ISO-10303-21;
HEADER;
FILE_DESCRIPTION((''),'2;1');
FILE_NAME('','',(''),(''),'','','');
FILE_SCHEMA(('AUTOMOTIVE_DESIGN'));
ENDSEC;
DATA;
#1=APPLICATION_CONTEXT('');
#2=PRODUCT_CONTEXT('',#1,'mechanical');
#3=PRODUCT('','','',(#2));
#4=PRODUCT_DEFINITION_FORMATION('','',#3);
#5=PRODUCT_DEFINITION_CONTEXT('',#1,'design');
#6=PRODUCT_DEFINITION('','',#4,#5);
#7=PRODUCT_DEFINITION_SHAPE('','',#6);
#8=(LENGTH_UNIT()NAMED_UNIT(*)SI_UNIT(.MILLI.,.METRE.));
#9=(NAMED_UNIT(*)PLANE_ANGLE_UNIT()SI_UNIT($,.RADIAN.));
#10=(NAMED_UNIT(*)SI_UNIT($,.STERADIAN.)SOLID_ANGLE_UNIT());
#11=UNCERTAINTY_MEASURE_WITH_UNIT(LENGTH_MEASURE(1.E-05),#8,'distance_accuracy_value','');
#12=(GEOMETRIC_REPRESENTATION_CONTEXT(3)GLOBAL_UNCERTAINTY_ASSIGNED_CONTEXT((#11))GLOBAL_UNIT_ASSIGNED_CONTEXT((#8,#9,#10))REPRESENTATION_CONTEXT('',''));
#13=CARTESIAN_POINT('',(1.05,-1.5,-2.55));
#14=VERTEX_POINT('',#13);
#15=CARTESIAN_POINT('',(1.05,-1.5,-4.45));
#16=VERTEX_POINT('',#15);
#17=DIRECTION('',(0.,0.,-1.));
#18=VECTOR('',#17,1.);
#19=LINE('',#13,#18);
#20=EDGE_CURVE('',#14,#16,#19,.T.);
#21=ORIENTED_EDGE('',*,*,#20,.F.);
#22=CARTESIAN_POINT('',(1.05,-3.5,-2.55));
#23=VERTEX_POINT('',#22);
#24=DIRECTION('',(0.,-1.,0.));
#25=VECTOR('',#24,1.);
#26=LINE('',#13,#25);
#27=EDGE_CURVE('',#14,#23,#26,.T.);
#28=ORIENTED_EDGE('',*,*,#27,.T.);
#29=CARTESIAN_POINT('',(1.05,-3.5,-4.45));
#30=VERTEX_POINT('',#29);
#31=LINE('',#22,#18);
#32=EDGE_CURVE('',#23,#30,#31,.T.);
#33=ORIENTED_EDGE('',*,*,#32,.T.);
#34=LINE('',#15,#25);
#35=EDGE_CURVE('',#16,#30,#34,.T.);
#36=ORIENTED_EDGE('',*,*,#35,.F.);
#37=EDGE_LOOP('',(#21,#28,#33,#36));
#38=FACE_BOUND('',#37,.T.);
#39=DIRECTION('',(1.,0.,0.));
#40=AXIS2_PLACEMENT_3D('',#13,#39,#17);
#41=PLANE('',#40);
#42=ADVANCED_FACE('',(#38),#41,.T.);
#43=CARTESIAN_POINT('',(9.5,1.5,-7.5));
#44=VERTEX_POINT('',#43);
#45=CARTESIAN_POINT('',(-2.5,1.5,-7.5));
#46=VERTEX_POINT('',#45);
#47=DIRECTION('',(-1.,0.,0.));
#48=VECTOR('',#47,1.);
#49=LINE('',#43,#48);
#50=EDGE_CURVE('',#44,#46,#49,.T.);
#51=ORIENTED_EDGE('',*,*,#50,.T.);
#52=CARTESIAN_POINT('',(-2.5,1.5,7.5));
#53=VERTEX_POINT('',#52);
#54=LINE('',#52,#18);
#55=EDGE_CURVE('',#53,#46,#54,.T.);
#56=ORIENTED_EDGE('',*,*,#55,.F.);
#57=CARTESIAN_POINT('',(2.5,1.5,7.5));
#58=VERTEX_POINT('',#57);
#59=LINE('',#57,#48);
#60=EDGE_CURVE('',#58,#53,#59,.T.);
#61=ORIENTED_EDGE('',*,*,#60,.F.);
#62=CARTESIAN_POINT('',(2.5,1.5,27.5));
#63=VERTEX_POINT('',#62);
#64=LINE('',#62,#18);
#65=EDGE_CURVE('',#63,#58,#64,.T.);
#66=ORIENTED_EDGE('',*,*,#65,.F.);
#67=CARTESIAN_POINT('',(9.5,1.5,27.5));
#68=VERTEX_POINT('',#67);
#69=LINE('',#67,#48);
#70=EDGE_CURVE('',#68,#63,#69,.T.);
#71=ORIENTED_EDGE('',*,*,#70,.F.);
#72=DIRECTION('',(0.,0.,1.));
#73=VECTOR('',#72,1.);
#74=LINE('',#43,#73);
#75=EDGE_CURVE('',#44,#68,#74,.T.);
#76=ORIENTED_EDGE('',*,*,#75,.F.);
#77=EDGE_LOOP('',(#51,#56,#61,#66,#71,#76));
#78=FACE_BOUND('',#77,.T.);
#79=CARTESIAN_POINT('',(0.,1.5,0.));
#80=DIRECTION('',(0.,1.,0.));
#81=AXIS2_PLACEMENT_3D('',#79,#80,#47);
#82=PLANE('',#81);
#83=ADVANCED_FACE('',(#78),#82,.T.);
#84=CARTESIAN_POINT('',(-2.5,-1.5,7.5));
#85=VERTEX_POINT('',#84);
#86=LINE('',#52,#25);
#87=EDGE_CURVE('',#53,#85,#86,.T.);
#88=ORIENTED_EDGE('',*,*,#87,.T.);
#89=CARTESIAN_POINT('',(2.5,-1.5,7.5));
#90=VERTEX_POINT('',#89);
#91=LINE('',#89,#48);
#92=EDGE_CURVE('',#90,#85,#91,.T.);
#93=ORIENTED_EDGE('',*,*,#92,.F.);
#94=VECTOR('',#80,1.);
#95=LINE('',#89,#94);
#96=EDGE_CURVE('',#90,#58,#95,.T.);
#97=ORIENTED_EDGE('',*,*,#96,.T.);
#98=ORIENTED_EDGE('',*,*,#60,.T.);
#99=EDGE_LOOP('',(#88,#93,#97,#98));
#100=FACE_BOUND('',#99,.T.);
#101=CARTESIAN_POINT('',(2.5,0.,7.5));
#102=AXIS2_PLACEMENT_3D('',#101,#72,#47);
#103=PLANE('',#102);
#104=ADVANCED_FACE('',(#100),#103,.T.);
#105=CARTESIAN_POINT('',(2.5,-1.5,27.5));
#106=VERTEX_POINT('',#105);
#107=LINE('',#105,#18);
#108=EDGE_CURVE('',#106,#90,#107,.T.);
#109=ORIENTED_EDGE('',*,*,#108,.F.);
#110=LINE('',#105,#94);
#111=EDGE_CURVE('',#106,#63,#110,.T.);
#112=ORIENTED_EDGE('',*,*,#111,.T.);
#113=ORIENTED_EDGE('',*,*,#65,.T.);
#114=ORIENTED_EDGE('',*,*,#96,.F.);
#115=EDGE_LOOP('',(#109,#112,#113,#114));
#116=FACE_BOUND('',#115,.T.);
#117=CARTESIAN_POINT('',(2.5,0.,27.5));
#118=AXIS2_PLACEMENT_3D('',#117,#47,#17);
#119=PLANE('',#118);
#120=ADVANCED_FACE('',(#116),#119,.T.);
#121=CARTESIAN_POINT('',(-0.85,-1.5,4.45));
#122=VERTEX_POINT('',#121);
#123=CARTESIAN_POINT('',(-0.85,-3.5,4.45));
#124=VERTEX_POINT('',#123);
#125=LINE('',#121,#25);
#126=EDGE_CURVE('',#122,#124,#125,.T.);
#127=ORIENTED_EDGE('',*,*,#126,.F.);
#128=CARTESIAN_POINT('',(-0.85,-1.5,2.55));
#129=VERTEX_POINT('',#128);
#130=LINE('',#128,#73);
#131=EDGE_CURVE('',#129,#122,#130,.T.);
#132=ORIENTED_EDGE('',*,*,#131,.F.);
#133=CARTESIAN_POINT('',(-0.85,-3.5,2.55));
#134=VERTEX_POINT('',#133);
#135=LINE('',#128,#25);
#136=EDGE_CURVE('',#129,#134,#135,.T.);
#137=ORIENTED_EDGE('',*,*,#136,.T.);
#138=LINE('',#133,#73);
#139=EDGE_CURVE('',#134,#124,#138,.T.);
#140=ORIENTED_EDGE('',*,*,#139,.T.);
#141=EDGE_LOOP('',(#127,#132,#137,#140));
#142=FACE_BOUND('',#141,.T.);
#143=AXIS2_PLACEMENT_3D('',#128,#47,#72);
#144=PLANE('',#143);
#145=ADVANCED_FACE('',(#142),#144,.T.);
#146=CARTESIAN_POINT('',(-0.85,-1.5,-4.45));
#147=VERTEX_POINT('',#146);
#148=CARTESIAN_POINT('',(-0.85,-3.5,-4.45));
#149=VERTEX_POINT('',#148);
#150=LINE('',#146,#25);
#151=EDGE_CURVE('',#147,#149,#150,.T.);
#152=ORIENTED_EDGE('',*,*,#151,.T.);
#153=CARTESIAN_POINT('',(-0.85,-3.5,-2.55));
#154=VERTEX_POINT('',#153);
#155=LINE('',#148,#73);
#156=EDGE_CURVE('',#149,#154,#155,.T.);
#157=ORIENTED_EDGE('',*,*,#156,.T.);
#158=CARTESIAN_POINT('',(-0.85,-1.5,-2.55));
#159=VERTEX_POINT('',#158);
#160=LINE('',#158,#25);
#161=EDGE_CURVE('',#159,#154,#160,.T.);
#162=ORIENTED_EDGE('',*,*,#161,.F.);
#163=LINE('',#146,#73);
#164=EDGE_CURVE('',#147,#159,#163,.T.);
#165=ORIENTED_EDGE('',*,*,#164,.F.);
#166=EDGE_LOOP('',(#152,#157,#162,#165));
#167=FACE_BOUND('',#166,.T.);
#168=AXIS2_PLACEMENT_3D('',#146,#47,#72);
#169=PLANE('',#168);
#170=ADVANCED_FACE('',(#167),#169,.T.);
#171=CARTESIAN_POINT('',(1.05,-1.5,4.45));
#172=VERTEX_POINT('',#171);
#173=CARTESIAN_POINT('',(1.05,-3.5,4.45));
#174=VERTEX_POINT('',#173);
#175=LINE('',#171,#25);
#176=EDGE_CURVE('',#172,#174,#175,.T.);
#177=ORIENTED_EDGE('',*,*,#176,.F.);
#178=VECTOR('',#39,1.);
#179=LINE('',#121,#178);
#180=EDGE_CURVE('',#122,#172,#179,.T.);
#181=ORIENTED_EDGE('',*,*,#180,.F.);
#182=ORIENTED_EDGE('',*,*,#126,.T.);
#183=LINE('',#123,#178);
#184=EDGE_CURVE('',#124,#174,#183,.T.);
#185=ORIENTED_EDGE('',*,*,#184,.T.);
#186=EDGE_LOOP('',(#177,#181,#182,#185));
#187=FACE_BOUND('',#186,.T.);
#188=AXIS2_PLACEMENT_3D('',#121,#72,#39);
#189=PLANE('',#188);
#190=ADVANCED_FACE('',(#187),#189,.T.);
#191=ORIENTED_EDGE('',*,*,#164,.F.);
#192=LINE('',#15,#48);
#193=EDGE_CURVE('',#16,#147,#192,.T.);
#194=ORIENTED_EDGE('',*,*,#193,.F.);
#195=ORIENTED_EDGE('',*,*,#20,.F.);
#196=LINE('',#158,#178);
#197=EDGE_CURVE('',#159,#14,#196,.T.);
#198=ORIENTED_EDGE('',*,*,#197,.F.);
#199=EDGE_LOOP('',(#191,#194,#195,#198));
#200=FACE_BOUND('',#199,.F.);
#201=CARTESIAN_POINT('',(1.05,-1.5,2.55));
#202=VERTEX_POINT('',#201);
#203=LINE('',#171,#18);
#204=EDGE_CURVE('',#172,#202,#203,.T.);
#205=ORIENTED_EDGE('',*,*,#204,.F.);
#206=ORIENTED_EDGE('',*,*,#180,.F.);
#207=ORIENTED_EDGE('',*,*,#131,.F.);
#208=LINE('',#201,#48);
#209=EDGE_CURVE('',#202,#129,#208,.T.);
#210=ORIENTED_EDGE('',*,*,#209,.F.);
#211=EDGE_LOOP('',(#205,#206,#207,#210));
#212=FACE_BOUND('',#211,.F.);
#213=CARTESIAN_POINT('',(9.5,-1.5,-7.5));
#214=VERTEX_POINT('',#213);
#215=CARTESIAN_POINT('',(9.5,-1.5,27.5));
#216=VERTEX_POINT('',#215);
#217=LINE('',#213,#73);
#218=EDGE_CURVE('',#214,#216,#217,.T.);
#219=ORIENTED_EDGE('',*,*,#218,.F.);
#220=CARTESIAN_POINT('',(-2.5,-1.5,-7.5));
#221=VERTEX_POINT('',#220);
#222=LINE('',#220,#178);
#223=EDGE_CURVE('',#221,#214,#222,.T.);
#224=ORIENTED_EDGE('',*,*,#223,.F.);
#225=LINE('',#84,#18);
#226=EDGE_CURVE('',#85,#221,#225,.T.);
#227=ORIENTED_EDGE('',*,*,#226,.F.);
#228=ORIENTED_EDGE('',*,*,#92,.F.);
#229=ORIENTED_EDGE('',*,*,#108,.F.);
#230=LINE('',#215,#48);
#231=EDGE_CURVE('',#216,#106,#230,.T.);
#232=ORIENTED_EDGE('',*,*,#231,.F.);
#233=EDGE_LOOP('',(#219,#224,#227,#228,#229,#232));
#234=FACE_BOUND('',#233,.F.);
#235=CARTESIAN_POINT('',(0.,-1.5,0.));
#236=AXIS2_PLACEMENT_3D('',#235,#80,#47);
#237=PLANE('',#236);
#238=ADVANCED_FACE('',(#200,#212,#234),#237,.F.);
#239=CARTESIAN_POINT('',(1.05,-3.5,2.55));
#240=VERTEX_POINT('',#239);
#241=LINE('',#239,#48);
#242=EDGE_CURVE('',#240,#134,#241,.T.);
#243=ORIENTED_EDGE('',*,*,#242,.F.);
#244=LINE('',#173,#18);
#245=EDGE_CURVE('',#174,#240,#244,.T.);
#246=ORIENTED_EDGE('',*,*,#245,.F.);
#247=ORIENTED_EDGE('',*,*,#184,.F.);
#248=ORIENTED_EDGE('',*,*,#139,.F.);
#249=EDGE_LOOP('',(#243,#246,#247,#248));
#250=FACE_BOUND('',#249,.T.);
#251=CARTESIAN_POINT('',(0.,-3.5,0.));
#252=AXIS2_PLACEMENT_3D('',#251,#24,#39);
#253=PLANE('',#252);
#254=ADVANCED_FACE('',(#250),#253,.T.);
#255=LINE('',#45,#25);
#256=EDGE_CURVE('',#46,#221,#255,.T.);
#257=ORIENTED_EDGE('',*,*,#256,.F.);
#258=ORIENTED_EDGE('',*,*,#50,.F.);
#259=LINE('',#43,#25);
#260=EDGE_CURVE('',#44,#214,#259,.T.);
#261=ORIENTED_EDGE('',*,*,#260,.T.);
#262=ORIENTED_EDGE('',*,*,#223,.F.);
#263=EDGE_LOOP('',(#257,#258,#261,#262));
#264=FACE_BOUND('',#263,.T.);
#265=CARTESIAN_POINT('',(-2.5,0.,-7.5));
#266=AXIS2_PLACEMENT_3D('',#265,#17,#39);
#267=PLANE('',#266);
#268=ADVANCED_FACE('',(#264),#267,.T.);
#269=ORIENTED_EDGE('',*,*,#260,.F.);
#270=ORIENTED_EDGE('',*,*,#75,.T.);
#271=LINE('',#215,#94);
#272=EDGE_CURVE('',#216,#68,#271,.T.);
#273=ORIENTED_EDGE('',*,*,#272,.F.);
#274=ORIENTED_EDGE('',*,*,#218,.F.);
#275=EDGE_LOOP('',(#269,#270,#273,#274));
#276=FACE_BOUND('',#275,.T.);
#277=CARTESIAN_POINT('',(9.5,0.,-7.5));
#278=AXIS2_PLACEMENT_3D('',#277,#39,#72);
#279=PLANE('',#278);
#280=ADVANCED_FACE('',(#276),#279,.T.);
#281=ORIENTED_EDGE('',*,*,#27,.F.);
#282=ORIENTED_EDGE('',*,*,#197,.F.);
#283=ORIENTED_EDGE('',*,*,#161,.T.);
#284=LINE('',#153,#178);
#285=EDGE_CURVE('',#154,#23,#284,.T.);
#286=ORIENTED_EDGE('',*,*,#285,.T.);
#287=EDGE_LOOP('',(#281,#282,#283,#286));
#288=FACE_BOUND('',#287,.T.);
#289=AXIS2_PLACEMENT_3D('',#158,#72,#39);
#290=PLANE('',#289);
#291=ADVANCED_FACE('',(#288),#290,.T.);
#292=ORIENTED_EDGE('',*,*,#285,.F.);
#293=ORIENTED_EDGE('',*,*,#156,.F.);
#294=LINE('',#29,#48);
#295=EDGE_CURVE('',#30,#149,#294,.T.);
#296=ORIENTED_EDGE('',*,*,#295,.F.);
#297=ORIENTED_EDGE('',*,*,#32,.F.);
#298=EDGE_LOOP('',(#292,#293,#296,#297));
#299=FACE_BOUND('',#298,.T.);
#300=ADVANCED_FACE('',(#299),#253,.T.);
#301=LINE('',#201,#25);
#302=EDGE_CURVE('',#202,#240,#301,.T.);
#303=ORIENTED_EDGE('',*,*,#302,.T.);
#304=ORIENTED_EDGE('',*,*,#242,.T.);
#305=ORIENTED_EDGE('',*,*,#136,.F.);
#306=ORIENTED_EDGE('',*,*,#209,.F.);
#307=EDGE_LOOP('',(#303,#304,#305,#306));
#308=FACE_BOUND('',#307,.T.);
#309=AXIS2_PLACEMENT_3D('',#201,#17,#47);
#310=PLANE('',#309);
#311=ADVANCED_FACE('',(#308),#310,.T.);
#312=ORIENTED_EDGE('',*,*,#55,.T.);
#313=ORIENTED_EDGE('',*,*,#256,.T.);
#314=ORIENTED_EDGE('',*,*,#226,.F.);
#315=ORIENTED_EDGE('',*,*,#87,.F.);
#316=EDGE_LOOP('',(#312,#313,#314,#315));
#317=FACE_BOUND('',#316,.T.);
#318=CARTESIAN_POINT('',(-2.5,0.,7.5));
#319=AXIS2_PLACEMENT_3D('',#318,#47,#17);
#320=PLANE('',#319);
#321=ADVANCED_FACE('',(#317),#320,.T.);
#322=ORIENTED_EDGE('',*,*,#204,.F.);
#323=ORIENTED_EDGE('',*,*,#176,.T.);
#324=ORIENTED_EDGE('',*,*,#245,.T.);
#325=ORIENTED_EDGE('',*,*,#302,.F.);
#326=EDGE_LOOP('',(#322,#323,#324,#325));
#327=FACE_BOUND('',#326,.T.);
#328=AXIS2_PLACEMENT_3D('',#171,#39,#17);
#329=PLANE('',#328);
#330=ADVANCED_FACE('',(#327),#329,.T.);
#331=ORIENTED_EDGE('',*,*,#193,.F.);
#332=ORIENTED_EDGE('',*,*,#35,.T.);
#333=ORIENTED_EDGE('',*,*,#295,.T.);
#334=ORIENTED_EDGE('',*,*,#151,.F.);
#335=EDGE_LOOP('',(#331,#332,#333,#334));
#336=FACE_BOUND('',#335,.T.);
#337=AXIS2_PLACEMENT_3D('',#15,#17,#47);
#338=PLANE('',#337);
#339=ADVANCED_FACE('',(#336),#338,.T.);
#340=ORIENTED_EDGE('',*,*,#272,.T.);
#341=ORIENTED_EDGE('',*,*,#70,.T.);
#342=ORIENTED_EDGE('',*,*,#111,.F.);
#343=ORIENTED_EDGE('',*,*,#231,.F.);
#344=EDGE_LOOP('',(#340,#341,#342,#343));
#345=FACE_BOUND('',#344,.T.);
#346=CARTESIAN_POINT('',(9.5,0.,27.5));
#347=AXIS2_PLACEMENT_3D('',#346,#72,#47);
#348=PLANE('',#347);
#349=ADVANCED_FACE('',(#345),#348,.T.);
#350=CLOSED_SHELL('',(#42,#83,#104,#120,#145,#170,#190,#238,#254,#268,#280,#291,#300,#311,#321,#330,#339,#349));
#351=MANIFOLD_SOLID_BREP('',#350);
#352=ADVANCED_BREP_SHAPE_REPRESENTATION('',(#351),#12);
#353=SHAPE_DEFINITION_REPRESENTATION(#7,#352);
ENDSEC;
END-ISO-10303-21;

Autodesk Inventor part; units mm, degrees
ref_plane "YZ Plane" through (0, 0, 0) normal (1, 0, 0) x (0, 1, 0)
ref_plane "XZ Plane" through (0, 0, 0) normal (0, 1, 0) x (-1, 0, 0)
ref_plane "XY Plane" through (0, 0, 0) normal (0, 0, 1) x (1, 0, 0)
sketch "Sketch1" plane through (0, 0, 0) normal (0, 1, 0) x (-1, 0, 0)
  line L0 (-2.5, 7.5) -> (2.5, 7.5)
  line L1 (2.5, 7.5) -> (2.5, -7.5)
  line L2 (2.5, -7.5) -> (-2.5, -7.5)
  line L3 (-2.5, -7.5) -> (-2.5, 7.5)
  line L4 (-2.5, 7.5) -> (2.5, -7.5) construction
  line L5 (2.5, 7.5) -> (-2.5, -7.5) construction
  line L6 (-2.5, -7.5) -> (-9.5, -7.5)
  line L7 (-9.5, -7.5) -> (-9.5, 27.5)
  line L8 (-9.5, 27.5) -> (-2.5, 27.5)
  line L9 (-2.5, 27.5) -> (-2.5, -7.5)
  point P0 (0, 0)
  dimension "d0" = 5
  dimension "d1" = 15
  dimension "d13" = 35
  dimension "d14" = 7
extrude "Extrusion1" add sketch "Sketch1" along normal mid plane 3
sketch "Sketch3" plane through (0, -1.5, 0) normal (0, -1, 0) x (1, 0, 0)
  line L0 (1.1, 4.5) -> (-0.9, 4.5) construction
  line L1 (-0.9, 4.5) -> (-0.9, 2.5) construction
  line L2 (-0.9, 2.5) -> (1.1, 2.5) construction
  line L3 (1.1, 2.5) -> (1.1, 4.5) construction
  line L4 (1.1, 4.5) -> (-0.9, 2.5) construction
  line L5 (-0.9, 4.5) -> (1.1, 2.5) construction
  line L6 (1.1, -2.5) -> (-0.9, -2.5) construction
  line L7 (-0.9, -2.5) -> (-0.9, -4.5) construction
  line L8 (-0.9, -4.5) -> (1.1, -4.5) construction
  line L9 (1.1, -4.5) -> (1.1, -2.5) construction
  line L10 (1.1, -2.5) -> (-0.9, -4.5) construction
  line L11 (-0.9, -2.5) -> (1.1, -4.5) construction
  line L12 (0.1, 3.5) -> (0.1, -3.5) construction
  line L13 (-2.5, -7.5) -> (9.5, -7.5) construction
  line L14 (1.05, 2.55) -> (-0.85, 2.55)
  line L15 (-0.85, 2.55) -> (-0.85, 4.45)
  line L16 (-0.85, 4.45) -> (1.05, 4.45)
  line L17 (1.05, 4.45) -> (1.05, 2.55)
  line L18 (-0.85, -2.55) -> (1.05, -2.55)
  line L19 (1.05, -2.55) -> (1.05, -4.45)
  line L20 (1.05, -4.45) -> (-0.85, -4.45)
  line L21 (-0.85, -4.45) -> (-0.85, -2.55)
  line L22 (-2.5, 7.5) -> (-2.5, -7.5) projected
  point P0 (0, 0)
  point P1 (0.1, 0)
  dimension "d7" = 2
  dimension "d8" = 7
  dimension "d11" = 0.05
  dimension "d12" = 0.05
  dimension "d18" = 2.6
extrude "Extrusion3" add sketch "Sketch3" along normal blind 2
properties part number "RemovableAlignmentPiece"
